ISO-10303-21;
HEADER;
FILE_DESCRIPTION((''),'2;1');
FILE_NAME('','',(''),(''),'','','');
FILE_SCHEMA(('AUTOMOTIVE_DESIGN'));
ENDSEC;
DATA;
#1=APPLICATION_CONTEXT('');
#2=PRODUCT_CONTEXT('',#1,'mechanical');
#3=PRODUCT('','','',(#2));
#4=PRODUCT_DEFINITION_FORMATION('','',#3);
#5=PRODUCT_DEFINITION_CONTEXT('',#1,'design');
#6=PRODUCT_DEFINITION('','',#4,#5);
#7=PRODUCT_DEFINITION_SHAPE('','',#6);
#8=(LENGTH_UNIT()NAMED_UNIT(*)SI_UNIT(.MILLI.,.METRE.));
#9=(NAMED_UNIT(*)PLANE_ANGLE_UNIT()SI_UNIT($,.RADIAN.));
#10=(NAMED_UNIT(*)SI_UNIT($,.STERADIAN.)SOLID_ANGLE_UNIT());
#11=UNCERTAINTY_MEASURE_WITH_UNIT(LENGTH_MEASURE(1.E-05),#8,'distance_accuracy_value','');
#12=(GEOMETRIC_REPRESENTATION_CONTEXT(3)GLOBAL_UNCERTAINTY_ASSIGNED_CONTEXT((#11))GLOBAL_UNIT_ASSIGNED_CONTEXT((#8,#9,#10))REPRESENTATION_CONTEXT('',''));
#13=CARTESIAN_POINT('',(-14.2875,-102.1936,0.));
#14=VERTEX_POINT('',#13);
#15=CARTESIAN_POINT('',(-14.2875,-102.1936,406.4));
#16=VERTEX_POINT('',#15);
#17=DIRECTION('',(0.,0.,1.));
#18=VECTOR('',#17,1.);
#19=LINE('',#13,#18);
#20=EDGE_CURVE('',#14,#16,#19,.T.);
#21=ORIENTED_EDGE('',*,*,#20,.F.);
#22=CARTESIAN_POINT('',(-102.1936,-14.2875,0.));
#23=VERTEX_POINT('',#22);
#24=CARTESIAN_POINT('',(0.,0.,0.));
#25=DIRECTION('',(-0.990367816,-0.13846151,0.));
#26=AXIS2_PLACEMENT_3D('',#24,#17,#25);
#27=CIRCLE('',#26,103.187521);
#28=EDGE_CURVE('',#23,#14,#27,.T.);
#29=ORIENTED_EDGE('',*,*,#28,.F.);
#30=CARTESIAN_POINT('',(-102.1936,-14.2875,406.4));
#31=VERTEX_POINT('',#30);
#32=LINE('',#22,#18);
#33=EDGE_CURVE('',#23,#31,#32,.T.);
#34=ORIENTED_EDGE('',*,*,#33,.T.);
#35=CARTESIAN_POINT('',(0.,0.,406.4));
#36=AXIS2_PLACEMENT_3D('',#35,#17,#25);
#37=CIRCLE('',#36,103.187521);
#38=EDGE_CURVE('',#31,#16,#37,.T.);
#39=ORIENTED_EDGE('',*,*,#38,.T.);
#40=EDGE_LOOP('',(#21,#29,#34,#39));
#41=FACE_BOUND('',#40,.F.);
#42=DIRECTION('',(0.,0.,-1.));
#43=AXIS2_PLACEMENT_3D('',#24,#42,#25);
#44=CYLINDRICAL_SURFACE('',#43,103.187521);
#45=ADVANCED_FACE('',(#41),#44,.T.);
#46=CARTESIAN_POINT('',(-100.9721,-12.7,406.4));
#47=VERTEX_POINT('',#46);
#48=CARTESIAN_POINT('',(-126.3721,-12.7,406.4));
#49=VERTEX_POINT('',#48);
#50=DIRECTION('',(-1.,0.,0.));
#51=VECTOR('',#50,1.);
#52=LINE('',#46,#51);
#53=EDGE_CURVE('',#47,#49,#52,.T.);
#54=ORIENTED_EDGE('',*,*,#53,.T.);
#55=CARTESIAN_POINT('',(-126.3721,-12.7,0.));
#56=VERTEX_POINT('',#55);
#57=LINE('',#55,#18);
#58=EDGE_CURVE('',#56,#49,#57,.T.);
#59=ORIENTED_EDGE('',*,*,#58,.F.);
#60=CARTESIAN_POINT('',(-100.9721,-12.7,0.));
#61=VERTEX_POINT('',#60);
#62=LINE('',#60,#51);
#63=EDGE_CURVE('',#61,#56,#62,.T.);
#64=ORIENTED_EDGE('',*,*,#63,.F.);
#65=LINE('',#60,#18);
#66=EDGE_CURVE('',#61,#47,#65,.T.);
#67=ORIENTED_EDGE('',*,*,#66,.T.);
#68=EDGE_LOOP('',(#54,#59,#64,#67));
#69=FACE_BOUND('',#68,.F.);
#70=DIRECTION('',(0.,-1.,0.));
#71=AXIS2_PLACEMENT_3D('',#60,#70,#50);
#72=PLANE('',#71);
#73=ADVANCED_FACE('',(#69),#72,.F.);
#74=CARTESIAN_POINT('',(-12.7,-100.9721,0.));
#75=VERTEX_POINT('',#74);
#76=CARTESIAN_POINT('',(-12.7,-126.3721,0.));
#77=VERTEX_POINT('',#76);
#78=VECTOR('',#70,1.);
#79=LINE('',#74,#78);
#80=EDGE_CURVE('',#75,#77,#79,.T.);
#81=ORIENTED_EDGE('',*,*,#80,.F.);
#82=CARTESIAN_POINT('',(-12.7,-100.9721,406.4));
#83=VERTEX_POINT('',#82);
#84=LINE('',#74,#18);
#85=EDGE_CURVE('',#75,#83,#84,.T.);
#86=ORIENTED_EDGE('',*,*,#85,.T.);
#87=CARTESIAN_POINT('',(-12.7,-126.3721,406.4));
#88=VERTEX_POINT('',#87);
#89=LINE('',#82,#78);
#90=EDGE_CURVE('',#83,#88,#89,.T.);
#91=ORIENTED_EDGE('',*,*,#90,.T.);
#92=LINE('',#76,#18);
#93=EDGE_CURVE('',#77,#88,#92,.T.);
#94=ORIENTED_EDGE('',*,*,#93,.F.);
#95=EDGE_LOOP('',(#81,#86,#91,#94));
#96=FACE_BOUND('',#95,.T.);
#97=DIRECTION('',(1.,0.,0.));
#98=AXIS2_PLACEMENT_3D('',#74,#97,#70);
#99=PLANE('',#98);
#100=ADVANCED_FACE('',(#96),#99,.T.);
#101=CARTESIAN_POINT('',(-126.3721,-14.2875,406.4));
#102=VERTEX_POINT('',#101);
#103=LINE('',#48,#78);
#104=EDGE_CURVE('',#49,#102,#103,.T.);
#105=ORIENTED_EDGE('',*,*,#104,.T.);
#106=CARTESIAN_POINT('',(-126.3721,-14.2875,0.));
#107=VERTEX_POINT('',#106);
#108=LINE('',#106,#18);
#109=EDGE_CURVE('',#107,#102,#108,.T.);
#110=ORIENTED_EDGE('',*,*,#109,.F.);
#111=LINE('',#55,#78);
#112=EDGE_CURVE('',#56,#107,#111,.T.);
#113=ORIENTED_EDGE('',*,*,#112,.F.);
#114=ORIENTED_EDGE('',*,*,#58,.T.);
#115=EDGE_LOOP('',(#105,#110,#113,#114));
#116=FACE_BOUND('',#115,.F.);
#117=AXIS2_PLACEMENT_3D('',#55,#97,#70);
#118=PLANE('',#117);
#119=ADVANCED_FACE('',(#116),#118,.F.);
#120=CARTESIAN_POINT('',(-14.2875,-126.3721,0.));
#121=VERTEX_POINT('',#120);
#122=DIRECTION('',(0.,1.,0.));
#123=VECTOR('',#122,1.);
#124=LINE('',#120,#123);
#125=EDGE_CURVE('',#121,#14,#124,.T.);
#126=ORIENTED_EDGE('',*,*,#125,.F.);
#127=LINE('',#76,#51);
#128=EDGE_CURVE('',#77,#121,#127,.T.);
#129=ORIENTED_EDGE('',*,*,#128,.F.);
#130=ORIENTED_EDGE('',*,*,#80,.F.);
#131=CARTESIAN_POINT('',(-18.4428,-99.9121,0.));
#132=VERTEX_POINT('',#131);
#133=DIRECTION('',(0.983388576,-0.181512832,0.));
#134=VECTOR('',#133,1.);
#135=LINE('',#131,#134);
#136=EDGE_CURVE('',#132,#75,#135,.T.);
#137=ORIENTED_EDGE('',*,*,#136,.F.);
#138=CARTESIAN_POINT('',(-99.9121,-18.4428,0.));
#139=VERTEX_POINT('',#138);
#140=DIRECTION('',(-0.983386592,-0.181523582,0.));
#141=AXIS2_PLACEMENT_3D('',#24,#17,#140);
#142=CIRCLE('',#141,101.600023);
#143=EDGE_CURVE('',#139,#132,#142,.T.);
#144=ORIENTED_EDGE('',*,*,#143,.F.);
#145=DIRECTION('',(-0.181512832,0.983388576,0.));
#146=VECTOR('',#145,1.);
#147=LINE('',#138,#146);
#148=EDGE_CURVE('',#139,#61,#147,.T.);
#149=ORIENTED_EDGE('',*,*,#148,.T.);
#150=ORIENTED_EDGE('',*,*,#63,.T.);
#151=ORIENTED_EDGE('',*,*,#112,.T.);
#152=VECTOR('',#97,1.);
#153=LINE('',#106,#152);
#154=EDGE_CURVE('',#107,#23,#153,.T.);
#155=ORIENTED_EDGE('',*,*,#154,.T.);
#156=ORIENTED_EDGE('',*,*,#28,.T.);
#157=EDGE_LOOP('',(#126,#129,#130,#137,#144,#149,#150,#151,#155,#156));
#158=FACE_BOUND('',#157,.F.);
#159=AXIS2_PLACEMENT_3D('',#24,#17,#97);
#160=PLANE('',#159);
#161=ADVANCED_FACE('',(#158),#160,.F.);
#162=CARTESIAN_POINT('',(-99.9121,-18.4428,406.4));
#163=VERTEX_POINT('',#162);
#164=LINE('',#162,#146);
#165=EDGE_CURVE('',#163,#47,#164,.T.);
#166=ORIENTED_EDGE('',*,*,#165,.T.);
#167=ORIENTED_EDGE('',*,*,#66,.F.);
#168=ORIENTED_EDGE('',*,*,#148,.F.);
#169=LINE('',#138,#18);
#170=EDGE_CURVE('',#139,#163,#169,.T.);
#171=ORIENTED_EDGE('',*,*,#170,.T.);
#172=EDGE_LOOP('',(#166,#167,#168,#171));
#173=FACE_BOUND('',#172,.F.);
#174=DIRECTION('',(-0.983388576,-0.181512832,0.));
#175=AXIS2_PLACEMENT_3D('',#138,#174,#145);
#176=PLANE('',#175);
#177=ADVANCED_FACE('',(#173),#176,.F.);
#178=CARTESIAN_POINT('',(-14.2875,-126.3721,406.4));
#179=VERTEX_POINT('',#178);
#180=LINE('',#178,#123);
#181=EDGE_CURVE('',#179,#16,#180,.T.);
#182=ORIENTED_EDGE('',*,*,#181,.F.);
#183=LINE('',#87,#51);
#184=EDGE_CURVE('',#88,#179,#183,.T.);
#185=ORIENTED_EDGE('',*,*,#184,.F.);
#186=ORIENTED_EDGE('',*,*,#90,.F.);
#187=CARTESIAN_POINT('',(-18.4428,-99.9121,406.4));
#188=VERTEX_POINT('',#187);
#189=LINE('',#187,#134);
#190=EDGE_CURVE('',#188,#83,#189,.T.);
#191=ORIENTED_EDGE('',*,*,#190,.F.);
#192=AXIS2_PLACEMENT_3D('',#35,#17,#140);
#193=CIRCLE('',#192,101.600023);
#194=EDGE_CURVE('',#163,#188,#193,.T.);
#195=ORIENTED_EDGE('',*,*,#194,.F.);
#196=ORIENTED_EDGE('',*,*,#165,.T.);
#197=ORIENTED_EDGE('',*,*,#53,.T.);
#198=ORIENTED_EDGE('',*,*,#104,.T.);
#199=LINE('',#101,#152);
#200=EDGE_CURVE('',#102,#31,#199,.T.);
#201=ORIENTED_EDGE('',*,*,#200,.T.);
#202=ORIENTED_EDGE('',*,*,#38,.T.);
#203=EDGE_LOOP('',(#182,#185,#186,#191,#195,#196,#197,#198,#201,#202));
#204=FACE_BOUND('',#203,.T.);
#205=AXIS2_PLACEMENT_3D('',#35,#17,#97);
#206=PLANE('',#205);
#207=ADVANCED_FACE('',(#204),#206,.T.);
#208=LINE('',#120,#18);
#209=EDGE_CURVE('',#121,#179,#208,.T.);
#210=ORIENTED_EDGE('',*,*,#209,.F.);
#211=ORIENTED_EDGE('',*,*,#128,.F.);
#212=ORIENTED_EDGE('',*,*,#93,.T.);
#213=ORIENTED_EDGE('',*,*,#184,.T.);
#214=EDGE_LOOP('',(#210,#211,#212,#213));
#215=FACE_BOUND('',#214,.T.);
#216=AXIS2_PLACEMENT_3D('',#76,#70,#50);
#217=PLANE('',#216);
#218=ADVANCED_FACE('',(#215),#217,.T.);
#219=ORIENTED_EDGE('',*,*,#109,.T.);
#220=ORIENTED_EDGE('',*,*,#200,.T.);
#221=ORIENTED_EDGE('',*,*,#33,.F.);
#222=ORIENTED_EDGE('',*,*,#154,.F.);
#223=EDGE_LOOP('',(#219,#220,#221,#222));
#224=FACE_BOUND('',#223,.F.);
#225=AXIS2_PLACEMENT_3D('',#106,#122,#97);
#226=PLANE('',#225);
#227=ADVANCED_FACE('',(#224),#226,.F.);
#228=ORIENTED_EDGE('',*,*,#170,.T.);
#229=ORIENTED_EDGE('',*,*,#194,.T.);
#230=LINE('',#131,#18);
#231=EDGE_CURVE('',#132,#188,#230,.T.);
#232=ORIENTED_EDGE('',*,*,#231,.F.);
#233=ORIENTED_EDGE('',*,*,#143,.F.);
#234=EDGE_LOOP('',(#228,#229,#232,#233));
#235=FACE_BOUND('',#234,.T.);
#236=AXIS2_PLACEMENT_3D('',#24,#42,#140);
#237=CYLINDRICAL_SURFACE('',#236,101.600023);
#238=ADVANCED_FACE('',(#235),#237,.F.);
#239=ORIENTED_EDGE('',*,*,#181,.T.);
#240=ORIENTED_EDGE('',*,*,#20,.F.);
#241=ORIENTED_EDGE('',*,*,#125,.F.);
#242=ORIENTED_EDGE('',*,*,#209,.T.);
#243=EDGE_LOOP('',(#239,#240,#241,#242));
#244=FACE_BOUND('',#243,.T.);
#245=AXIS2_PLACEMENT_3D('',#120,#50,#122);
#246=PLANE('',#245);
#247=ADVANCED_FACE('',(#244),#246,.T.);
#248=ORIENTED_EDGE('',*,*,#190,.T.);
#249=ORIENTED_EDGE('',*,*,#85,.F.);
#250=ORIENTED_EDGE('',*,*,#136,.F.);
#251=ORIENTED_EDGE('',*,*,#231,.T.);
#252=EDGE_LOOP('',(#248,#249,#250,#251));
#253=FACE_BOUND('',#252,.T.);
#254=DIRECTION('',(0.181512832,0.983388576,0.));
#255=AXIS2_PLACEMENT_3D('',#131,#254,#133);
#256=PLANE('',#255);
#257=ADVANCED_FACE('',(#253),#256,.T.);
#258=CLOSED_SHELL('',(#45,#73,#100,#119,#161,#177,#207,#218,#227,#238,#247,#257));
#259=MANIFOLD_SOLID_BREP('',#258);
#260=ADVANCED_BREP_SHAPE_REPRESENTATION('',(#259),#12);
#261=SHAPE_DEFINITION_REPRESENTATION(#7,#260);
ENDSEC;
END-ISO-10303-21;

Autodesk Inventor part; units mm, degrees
ref_plane "YZ Plane" through (0, 0, 0) normal (1, 0, 0) x (0, 1, 0)
ref_plane "XZ Plane" through (0, 0, 0) normal (0, 1, 0) x (-1, 0, 0)
ref_plane "XY Plane" through (0, 0, 0) normal (0, 0, 1) x (1, 0, 0)
sketch "Sketch1" plane through (0, 0, 0) normal (0, 0, 1) x (1, 0, 0)
  arc A0 (-99.9121, -18.4428) -> (-18.4428, -99.9121) centre (0, 0) ccw
  arc A1 (-102.1936, -14.2875) -> (-14.2875, -102.1936) centre (0, 0) ccw
  line L0 (-99.9121, -18.4428) -> (-100.9721, -12.7)
  line L1 (-100.9721, -12.7) -> (-126.3721, -12.7)
  line L2 (-126.3721, -12.7) -> (-126.3721, -14.2875)
  line L3 (-126.3721, -14.2875) -> (-102.1936, -14.2875)
  line L4 (-18.4428, -99.9121) -> (-12.7, -100.9721)
  line L5 (-12.7, -100.9721) -> (-12.7, -126.3721)
  line L6 (-12.7, -126.3721) -> (-14.2875, -126.3721)
  line L7 (-14.2875, -126.3721) -> (-14.2875, -102.1936)
  line L8 (-132.6152, 0) -> (-97.9265, 0) construction
  line L9 (-97.9265, 0) -> (-97.9265, -12.7) construction
  line L10 (-97.9265, -12.7) -> (-132.6152, -12.7) construction
  line L11 (-132.6152, -12.7) -> (-132.6152, 0) construction
  line L12 (0, -100.3613) -> (-12.7, -100.3613) construction
  line L13 (-12.7, -100.3613) -> (-12.7, -135.05) construction
  line L14 (-12.7, -135.05) -> (0, -135.05) construction
  line L15 (0, -135.05) -> (0, -100.3613) construction
  line L16 (0, -100.3613) -> (0, 0) construction
  line L17 (0, 0) -> (-97.9265, 0) construction
  point P0 (-48.9633, 0)
  dimension "d0" = 1.5875
  dimension "d1" = 1.5875
  dimension "d2" = 101.6
  dimension "d3" = 25.4
  dimension "d6" = 12.7
extrude "Extrusion1" add sketch "Sketch1" along normal blind 406.4
properties part number "Panel_FrontVerticalConveyorShroud_Lower" material "Polycarbonate, Smoke"
